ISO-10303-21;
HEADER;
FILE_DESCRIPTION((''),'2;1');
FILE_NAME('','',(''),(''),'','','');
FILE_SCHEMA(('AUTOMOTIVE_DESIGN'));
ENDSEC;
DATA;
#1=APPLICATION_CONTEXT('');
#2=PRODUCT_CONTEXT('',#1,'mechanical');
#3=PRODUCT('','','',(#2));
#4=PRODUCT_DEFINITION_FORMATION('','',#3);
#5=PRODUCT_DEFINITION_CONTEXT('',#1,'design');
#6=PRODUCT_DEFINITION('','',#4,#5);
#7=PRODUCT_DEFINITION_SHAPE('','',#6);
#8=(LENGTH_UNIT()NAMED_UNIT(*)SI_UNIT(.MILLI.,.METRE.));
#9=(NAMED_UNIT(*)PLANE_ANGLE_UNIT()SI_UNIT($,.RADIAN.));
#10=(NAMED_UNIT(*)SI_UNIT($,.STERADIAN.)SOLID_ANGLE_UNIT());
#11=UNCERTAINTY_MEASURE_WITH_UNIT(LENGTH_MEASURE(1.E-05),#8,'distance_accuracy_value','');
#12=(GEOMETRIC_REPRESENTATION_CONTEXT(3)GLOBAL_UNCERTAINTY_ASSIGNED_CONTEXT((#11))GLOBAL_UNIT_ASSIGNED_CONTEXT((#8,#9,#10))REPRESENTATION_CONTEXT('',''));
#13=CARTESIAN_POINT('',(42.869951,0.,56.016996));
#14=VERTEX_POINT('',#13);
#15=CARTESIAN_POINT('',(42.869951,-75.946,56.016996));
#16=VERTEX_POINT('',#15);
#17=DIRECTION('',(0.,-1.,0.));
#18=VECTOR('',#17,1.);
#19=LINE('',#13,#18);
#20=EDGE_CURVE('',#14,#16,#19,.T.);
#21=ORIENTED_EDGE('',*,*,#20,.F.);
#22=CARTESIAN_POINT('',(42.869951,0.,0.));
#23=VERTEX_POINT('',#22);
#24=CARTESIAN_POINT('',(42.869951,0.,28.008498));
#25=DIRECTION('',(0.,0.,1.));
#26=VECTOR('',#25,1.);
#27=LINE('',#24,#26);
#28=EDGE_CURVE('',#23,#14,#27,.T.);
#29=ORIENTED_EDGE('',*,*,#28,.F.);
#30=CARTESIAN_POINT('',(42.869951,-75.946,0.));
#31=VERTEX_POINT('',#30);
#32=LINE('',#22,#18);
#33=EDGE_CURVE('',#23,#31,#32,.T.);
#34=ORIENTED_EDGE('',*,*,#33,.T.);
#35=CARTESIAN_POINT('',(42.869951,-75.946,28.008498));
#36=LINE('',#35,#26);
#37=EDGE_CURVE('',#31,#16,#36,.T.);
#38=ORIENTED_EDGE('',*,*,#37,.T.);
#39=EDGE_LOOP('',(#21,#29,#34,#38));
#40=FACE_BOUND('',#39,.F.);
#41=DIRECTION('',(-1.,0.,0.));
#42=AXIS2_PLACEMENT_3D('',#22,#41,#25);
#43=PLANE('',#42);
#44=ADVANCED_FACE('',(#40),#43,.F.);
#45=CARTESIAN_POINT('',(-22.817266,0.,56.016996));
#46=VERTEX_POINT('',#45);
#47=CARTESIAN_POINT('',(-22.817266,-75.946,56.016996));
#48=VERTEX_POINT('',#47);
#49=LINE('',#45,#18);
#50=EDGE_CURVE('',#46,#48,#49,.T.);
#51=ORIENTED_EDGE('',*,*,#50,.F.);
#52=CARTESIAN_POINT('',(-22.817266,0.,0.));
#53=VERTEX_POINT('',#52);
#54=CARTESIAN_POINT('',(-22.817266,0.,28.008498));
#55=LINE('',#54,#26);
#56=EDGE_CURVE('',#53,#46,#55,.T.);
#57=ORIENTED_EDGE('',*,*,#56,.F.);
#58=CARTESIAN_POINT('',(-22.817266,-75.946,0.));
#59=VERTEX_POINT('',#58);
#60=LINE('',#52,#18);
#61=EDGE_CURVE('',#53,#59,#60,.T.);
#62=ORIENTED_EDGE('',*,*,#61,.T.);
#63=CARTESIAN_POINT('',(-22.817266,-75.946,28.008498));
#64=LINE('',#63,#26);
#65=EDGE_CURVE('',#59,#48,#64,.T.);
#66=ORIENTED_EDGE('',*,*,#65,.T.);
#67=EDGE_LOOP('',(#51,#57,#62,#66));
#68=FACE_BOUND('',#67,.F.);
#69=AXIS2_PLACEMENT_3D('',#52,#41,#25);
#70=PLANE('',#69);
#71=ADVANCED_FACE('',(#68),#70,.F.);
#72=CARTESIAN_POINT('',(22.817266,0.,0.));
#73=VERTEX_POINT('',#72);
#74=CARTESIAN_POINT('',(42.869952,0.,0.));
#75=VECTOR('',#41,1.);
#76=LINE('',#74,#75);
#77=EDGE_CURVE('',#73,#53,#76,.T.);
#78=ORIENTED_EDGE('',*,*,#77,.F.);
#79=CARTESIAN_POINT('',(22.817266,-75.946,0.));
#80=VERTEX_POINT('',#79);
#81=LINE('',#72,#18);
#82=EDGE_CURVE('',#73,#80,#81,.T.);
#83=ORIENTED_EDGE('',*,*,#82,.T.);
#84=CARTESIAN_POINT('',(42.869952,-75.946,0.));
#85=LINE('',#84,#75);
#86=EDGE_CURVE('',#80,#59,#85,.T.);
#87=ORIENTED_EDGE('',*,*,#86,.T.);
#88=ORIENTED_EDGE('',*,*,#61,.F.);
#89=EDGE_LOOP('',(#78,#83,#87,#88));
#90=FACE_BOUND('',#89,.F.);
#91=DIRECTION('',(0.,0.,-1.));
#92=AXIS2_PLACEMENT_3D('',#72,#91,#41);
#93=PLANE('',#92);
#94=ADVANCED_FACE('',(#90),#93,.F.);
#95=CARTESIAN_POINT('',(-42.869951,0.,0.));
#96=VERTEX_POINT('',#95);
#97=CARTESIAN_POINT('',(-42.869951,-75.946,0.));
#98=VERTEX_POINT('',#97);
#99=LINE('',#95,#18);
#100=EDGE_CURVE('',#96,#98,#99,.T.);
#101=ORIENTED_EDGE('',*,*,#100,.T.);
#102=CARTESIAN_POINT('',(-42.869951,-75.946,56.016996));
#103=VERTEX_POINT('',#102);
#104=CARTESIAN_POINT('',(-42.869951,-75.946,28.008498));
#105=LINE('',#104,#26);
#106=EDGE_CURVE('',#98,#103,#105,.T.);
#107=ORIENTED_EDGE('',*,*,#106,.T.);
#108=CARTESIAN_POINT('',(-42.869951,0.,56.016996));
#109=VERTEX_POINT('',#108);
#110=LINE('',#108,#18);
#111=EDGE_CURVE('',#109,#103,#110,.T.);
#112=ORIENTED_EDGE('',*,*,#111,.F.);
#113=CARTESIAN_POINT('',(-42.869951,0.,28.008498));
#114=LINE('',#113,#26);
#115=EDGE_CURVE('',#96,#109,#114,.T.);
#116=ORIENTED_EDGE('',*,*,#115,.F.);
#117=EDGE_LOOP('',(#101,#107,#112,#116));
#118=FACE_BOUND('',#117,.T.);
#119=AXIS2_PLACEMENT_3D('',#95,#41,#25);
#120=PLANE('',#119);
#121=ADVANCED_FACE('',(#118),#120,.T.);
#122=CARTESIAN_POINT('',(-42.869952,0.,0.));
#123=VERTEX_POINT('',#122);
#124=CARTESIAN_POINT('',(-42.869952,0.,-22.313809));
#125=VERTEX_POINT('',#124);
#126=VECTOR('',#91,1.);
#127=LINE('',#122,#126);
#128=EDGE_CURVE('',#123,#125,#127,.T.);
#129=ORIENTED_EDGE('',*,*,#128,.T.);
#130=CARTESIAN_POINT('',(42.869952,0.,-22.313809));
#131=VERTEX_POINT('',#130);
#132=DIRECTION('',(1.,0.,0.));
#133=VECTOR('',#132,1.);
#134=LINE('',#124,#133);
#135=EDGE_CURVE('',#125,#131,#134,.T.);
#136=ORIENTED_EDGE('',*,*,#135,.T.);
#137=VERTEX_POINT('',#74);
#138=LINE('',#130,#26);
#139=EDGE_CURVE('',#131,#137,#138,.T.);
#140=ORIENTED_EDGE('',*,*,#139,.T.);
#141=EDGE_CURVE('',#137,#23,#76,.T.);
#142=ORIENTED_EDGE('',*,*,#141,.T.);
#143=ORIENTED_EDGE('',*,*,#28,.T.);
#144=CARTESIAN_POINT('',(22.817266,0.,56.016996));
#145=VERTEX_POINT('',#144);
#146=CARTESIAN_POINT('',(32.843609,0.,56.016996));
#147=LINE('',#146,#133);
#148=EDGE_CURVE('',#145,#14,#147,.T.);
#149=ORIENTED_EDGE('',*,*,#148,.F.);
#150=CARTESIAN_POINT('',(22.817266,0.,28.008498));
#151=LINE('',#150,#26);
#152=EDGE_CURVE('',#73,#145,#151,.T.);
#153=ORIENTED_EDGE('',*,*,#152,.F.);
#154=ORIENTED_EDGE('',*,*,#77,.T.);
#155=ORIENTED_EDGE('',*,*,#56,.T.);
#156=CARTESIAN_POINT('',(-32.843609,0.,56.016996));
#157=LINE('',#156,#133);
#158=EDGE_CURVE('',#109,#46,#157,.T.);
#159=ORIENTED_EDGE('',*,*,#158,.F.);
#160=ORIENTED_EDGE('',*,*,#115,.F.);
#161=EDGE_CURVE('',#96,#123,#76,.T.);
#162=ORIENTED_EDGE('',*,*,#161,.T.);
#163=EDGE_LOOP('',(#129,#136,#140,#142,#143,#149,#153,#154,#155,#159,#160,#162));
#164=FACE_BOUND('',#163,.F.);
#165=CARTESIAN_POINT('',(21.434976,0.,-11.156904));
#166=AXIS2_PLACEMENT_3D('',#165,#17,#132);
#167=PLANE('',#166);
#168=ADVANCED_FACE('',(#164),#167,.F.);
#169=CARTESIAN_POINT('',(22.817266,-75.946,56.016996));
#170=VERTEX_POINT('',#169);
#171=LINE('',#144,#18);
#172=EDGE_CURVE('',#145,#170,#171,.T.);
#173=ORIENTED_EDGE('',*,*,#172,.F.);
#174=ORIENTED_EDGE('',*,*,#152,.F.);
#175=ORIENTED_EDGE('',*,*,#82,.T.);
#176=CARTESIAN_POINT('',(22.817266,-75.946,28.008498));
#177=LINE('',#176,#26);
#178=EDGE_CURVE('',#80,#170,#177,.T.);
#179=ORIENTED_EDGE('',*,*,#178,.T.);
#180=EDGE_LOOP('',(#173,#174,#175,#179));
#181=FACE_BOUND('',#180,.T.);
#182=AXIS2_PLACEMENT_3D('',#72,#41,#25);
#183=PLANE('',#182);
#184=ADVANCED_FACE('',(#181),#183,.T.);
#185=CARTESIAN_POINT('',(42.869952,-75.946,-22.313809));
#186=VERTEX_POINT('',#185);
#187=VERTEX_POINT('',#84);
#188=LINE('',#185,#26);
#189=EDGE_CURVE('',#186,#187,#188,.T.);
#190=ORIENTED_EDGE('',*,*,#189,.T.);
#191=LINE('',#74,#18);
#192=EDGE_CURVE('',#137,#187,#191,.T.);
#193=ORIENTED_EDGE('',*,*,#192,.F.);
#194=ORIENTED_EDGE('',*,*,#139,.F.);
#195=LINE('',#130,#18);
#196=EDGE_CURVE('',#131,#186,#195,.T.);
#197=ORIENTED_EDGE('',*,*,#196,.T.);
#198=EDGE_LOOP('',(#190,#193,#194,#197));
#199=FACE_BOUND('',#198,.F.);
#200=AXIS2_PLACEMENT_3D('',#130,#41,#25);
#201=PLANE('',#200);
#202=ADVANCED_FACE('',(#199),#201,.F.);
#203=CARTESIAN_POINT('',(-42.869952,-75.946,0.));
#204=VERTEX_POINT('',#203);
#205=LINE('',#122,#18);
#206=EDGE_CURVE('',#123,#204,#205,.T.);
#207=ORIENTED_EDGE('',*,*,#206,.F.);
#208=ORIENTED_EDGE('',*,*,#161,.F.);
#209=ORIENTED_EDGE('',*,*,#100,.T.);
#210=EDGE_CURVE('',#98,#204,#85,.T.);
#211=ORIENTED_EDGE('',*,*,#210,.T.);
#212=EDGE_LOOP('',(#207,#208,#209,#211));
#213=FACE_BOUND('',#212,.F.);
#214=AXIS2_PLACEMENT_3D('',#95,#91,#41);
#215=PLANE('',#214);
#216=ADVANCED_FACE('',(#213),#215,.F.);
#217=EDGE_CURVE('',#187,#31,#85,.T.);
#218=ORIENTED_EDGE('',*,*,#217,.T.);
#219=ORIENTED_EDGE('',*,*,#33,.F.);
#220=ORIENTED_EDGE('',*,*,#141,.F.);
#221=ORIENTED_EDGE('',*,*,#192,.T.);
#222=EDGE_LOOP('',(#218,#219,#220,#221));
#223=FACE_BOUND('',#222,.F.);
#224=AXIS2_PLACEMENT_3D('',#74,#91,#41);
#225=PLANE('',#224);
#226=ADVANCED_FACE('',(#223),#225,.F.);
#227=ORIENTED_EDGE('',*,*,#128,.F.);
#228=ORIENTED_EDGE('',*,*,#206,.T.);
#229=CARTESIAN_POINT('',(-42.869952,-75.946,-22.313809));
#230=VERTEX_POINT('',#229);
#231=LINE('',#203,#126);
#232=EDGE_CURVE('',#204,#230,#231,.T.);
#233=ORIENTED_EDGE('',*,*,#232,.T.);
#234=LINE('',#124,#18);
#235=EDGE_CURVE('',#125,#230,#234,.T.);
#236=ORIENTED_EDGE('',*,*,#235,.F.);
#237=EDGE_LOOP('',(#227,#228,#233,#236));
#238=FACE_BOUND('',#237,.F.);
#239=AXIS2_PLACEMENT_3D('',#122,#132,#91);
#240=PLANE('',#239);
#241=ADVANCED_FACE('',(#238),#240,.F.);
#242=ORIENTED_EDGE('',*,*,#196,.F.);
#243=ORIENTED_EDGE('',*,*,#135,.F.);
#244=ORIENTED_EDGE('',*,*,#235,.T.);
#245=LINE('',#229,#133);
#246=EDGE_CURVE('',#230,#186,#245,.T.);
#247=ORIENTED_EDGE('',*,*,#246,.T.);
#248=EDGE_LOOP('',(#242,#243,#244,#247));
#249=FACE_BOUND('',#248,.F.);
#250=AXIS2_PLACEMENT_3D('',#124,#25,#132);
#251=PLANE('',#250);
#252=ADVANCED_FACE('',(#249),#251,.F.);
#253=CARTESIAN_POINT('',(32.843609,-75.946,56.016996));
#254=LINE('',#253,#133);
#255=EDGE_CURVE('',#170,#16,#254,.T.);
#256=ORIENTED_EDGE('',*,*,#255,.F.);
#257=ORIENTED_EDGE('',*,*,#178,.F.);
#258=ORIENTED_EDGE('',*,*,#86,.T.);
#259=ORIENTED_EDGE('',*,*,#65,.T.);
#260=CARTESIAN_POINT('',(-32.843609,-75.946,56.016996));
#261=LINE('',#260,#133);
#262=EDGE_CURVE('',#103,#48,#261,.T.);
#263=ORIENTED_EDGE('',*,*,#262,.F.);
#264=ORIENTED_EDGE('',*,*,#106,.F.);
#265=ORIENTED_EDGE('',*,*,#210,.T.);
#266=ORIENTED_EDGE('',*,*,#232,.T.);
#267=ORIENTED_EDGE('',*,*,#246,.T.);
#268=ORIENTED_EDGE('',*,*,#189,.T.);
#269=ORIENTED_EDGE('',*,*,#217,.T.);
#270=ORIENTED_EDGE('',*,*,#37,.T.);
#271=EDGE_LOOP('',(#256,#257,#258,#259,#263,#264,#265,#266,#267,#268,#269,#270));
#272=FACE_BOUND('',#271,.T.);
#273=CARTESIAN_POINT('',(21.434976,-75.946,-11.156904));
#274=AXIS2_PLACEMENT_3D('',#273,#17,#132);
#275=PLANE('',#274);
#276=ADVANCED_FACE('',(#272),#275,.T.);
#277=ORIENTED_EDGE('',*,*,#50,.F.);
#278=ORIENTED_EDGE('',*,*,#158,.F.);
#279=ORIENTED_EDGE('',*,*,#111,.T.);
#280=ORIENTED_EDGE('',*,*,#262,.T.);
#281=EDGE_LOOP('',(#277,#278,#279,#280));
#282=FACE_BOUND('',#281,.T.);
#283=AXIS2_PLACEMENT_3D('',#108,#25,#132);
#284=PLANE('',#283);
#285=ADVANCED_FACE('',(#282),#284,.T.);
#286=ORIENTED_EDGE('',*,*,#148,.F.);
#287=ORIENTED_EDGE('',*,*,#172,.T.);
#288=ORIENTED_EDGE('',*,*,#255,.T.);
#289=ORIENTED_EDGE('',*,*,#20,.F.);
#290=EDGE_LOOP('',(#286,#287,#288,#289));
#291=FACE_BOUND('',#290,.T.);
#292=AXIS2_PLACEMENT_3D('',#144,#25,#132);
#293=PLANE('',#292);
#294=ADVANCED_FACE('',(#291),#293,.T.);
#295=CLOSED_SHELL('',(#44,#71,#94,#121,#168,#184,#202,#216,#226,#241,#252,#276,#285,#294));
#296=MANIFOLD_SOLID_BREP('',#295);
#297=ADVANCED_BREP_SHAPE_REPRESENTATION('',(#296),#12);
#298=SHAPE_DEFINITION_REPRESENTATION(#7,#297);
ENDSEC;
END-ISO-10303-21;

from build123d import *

# Parameters (mm, degrees)
F0_W     = 20.052685
F0_H     = 56.016997
F1_DEPTH = 75.946


with BuildPart() as f1:
    # F0 (on Front) → F1 (new body)
    with BuildSketch(Plane.XZ):
        Polygon((22.817267, 0), (0, 0), (0, -22.313809), (42.869952, -22.313809), (42.869952, 0), align=None)
        Polygon((0, -22.313809), (0, 0), (-22.817267, 0), (-42.869952, 0), (-42.869952, -22.313809), align=None)
        with Locations((32.843609, 28.008498)):
            Rectangle(F0_W, F0_H)
        with Locations((-32.843609, 28.008498)):
            Rectangle(F0_W, F0_H)
    extrude(amount=F1_DEPTH)


solid = f1.part
